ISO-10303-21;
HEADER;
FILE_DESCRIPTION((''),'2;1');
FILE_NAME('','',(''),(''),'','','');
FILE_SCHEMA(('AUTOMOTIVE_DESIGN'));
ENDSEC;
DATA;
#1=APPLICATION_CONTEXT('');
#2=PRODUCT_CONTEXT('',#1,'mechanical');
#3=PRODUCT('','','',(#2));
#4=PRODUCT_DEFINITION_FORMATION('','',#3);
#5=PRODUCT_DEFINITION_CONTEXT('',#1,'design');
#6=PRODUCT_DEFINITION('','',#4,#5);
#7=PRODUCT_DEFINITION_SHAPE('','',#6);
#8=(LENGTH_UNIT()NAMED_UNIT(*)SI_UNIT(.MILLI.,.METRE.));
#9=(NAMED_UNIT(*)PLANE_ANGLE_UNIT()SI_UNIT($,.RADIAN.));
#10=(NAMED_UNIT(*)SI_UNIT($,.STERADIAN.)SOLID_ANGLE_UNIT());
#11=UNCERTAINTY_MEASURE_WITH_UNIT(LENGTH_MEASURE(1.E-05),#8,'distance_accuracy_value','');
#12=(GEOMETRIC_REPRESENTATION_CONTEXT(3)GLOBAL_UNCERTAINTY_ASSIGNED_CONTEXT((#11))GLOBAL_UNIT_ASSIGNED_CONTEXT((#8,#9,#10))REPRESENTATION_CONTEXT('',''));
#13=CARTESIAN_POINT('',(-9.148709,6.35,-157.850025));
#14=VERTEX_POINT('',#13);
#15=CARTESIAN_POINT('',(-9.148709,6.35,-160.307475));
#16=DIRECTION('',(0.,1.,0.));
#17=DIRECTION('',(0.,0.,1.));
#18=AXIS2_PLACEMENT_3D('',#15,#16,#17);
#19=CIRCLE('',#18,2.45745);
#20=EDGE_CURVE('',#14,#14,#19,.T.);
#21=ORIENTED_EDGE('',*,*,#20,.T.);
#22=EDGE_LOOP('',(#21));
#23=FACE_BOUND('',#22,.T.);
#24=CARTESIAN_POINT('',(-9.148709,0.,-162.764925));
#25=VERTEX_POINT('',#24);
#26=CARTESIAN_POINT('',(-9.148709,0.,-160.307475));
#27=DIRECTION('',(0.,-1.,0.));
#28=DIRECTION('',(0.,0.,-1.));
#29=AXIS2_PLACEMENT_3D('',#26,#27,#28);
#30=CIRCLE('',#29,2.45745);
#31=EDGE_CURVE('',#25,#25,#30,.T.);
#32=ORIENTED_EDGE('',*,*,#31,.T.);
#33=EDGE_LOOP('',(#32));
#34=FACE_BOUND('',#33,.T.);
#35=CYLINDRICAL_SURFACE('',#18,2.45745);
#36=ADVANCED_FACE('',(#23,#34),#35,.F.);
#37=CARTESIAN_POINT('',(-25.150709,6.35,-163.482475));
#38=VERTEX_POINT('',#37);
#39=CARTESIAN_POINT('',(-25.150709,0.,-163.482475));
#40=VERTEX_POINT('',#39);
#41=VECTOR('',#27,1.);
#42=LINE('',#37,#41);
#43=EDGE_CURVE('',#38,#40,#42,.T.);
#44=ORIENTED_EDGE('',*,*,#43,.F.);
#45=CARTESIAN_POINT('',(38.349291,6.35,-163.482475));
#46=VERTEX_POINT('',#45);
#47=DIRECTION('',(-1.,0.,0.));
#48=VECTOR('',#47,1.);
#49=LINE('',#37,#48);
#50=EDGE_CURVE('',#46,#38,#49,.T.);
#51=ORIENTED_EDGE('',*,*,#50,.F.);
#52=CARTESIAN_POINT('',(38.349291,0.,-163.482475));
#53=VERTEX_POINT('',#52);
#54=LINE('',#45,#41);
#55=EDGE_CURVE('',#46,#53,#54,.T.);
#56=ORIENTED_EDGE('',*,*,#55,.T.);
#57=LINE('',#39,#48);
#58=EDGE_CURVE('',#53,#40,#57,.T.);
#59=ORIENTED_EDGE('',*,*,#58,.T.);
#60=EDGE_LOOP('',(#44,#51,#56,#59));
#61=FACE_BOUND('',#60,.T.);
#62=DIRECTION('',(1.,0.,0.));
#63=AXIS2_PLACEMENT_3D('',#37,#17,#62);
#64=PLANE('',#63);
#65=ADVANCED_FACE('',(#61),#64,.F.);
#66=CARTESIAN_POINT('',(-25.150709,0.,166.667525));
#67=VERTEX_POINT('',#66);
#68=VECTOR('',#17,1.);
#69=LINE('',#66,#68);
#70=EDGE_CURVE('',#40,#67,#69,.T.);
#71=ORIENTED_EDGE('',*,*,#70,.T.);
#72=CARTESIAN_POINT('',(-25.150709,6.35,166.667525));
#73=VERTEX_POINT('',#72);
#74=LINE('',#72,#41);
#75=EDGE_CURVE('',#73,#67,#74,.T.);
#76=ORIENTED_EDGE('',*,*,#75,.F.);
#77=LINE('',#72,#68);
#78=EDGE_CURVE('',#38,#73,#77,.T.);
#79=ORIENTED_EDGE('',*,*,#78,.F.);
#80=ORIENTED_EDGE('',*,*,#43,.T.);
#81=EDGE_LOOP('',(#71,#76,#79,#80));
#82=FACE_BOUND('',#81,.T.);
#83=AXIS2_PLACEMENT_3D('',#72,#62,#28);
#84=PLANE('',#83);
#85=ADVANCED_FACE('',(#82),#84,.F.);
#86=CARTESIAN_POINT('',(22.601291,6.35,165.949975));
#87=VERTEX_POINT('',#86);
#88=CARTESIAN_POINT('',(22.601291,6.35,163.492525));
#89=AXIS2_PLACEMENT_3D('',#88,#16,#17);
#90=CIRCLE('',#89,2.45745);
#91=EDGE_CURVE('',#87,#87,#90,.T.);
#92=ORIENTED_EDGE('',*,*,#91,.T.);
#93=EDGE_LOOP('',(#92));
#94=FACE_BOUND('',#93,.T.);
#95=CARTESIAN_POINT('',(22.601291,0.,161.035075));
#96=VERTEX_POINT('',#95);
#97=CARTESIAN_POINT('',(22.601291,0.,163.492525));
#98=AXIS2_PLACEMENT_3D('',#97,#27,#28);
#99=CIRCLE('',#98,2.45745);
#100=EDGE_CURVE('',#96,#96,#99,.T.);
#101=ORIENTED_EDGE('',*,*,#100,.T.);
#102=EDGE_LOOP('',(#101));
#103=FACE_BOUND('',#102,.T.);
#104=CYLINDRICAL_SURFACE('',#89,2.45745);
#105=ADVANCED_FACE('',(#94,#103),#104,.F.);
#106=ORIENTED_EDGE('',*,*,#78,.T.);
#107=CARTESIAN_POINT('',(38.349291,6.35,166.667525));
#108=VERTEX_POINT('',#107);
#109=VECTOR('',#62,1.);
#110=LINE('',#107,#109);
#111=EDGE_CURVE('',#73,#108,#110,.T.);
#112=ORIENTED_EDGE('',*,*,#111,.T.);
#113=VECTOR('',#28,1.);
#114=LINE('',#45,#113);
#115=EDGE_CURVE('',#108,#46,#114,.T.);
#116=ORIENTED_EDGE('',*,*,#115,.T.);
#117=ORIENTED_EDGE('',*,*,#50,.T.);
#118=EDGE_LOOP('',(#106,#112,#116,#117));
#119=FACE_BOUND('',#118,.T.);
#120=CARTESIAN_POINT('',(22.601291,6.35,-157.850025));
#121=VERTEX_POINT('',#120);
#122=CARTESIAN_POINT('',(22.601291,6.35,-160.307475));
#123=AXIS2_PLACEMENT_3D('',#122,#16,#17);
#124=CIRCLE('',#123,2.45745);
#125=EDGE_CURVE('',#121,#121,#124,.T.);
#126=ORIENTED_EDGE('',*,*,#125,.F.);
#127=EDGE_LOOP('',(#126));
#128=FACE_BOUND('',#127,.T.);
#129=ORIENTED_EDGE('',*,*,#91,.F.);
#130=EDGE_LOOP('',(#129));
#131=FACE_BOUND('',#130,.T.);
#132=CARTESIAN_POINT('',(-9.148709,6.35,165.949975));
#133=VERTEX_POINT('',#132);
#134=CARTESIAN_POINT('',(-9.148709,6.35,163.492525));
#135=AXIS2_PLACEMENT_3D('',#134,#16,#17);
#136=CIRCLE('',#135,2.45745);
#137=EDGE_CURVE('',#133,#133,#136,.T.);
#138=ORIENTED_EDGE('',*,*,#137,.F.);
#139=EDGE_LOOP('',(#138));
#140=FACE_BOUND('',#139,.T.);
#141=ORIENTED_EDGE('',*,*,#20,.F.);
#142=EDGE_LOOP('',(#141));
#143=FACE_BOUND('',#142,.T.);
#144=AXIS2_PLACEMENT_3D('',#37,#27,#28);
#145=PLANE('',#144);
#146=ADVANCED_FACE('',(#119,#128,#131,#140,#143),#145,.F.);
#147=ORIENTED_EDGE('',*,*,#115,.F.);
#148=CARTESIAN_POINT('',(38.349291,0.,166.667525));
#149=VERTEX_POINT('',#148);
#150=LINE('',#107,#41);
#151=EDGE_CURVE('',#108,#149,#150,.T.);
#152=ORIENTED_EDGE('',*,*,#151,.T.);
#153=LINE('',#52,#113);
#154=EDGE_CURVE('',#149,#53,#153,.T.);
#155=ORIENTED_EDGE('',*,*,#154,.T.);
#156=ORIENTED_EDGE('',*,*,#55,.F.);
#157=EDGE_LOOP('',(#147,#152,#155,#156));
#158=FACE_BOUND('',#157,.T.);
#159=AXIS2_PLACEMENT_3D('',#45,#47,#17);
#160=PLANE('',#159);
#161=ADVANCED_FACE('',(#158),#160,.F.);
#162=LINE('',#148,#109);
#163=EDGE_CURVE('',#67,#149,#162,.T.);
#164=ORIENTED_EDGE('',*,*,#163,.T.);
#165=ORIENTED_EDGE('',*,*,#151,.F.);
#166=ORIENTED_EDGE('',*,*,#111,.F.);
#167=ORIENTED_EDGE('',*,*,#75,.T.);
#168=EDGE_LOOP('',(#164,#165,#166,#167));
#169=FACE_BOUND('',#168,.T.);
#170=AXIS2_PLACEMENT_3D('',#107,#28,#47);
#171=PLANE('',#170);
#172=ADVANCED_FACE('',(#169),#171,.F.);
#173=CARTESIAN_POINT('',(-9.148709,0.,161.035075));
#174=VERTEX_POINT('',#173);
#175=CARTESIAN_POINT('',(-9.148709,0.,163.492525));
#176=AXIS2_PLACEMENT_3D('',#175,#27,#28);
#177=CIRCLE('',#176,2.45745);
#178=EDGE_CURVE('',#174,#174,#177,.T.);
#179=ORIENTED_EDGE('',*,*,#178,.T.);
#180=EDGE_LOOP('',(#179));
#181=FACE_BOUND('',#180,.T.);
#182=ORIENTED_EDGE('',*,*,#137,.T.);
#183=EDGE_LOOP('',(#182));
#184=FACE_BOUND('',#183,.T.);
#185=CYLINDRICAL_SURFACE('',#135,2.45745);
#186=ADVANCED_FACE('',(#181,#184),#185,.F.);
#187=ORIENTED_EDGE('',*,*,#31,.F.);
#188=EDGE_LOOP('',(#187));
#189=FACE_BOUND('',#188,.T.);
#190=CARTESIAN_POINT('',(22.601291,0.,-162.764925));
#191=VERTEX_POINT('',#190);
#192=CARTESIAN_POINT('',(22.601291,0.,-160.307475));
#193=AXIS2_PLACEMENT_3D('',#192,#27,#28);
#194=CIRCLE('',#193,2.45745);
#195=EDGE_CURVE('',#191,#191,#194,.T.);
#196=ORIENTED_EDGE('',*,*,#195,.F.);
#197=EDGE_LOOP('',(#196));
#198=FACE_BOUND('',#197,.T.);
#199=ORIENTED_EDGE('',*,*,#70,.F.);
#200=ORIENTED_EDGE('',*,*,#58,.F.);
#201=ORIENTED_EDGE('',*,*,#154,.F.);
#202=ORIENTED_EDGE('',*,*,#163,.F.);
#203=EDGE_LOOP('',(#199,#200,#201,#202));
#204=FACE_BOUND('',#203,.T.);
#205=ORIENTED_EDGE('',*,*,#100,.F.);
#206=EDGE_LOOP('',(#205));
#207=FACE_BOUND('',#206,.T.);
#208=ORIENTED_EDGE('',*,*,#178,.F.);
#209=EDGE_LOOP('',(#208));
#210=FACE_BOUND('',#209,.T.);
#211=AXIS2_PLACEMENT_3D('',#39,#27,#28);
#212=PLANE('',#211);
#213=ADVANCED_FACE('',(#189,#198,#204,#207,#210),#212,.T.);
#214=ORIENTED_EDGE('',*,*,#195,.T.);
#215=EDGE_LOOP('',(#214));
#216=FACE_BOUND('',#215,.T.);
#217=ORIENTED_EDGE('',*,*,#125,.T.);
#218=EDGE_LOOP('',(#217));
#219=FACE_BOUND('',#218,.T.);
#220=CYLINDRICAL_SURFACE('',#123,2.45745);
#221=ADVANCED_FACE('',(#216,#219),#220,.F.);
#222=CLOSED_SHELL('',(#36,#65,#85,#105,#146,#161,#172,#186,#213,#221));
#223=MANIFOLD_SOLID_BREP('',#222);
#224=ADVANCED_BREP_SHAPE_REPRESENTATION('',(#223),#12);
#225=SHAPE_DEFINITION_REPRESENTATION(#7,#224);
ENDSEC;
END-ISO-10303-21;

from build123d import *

# Parameters (mm, degrees)
SKETCH1_W                        = 63.5
SKETCH1_H                        = 330.15
BOSS_EXTRUDE1_DEPTH              = 6.35
F_10_0_1935_DIAMETER_HOLE1_D     = 4.9149
F_10_0_1935_DIAMETER_HOLE1_DEPTH = 70
F_10_0_1935_DIAMETER_HOLE1_TIP   = 1.476584928


with BuildPart() as part:
    # Sketch1 → Boss-Extrude1 (new body)
    with BuildSketch(Plane(origin=(0, 0, 0), x_dir=(1, 0, 0), z_dir=(0, 1, 0))):
        with Locations((6.599290685, -1.59252495)):
            Rectangle(SKETCH1_W, SKETCH1_H)
    extrude(amount=BOSS_EXTRUDE1_DEPTH)

    # #10 (0.1935) Diameter Hole1
    with Locations(Plane(origin=(22.601290685, 6.35, -160.30747505), x_dir=(0, 0, 1), z_dir=(0, 1, 0))):
        with Locations((0, 0), (0, -31.75), (323.8, -31.75), (323.8, 0)):
            Hole(F_10_0_1935_DIAMETER_HOLE1_D / 2, depth=F_10_0_1935_DIAMETER_HOLE1_DEPTH)
            with Locations((0, 0, -(F_10_0_1935_DIAMETER_HOLE1_DEPTH + F_10_0_1935_DIAMETER_HOLE1_TIP / 2))):  # 118° drill point
                Cone(0, F_10_0_1935_DIAMETER_HOLE1_D / 2, F_10_0_1935_DIAMETER_HOLE1_TIP, mode=Mode.SUBTRACT)


solid = part.part
